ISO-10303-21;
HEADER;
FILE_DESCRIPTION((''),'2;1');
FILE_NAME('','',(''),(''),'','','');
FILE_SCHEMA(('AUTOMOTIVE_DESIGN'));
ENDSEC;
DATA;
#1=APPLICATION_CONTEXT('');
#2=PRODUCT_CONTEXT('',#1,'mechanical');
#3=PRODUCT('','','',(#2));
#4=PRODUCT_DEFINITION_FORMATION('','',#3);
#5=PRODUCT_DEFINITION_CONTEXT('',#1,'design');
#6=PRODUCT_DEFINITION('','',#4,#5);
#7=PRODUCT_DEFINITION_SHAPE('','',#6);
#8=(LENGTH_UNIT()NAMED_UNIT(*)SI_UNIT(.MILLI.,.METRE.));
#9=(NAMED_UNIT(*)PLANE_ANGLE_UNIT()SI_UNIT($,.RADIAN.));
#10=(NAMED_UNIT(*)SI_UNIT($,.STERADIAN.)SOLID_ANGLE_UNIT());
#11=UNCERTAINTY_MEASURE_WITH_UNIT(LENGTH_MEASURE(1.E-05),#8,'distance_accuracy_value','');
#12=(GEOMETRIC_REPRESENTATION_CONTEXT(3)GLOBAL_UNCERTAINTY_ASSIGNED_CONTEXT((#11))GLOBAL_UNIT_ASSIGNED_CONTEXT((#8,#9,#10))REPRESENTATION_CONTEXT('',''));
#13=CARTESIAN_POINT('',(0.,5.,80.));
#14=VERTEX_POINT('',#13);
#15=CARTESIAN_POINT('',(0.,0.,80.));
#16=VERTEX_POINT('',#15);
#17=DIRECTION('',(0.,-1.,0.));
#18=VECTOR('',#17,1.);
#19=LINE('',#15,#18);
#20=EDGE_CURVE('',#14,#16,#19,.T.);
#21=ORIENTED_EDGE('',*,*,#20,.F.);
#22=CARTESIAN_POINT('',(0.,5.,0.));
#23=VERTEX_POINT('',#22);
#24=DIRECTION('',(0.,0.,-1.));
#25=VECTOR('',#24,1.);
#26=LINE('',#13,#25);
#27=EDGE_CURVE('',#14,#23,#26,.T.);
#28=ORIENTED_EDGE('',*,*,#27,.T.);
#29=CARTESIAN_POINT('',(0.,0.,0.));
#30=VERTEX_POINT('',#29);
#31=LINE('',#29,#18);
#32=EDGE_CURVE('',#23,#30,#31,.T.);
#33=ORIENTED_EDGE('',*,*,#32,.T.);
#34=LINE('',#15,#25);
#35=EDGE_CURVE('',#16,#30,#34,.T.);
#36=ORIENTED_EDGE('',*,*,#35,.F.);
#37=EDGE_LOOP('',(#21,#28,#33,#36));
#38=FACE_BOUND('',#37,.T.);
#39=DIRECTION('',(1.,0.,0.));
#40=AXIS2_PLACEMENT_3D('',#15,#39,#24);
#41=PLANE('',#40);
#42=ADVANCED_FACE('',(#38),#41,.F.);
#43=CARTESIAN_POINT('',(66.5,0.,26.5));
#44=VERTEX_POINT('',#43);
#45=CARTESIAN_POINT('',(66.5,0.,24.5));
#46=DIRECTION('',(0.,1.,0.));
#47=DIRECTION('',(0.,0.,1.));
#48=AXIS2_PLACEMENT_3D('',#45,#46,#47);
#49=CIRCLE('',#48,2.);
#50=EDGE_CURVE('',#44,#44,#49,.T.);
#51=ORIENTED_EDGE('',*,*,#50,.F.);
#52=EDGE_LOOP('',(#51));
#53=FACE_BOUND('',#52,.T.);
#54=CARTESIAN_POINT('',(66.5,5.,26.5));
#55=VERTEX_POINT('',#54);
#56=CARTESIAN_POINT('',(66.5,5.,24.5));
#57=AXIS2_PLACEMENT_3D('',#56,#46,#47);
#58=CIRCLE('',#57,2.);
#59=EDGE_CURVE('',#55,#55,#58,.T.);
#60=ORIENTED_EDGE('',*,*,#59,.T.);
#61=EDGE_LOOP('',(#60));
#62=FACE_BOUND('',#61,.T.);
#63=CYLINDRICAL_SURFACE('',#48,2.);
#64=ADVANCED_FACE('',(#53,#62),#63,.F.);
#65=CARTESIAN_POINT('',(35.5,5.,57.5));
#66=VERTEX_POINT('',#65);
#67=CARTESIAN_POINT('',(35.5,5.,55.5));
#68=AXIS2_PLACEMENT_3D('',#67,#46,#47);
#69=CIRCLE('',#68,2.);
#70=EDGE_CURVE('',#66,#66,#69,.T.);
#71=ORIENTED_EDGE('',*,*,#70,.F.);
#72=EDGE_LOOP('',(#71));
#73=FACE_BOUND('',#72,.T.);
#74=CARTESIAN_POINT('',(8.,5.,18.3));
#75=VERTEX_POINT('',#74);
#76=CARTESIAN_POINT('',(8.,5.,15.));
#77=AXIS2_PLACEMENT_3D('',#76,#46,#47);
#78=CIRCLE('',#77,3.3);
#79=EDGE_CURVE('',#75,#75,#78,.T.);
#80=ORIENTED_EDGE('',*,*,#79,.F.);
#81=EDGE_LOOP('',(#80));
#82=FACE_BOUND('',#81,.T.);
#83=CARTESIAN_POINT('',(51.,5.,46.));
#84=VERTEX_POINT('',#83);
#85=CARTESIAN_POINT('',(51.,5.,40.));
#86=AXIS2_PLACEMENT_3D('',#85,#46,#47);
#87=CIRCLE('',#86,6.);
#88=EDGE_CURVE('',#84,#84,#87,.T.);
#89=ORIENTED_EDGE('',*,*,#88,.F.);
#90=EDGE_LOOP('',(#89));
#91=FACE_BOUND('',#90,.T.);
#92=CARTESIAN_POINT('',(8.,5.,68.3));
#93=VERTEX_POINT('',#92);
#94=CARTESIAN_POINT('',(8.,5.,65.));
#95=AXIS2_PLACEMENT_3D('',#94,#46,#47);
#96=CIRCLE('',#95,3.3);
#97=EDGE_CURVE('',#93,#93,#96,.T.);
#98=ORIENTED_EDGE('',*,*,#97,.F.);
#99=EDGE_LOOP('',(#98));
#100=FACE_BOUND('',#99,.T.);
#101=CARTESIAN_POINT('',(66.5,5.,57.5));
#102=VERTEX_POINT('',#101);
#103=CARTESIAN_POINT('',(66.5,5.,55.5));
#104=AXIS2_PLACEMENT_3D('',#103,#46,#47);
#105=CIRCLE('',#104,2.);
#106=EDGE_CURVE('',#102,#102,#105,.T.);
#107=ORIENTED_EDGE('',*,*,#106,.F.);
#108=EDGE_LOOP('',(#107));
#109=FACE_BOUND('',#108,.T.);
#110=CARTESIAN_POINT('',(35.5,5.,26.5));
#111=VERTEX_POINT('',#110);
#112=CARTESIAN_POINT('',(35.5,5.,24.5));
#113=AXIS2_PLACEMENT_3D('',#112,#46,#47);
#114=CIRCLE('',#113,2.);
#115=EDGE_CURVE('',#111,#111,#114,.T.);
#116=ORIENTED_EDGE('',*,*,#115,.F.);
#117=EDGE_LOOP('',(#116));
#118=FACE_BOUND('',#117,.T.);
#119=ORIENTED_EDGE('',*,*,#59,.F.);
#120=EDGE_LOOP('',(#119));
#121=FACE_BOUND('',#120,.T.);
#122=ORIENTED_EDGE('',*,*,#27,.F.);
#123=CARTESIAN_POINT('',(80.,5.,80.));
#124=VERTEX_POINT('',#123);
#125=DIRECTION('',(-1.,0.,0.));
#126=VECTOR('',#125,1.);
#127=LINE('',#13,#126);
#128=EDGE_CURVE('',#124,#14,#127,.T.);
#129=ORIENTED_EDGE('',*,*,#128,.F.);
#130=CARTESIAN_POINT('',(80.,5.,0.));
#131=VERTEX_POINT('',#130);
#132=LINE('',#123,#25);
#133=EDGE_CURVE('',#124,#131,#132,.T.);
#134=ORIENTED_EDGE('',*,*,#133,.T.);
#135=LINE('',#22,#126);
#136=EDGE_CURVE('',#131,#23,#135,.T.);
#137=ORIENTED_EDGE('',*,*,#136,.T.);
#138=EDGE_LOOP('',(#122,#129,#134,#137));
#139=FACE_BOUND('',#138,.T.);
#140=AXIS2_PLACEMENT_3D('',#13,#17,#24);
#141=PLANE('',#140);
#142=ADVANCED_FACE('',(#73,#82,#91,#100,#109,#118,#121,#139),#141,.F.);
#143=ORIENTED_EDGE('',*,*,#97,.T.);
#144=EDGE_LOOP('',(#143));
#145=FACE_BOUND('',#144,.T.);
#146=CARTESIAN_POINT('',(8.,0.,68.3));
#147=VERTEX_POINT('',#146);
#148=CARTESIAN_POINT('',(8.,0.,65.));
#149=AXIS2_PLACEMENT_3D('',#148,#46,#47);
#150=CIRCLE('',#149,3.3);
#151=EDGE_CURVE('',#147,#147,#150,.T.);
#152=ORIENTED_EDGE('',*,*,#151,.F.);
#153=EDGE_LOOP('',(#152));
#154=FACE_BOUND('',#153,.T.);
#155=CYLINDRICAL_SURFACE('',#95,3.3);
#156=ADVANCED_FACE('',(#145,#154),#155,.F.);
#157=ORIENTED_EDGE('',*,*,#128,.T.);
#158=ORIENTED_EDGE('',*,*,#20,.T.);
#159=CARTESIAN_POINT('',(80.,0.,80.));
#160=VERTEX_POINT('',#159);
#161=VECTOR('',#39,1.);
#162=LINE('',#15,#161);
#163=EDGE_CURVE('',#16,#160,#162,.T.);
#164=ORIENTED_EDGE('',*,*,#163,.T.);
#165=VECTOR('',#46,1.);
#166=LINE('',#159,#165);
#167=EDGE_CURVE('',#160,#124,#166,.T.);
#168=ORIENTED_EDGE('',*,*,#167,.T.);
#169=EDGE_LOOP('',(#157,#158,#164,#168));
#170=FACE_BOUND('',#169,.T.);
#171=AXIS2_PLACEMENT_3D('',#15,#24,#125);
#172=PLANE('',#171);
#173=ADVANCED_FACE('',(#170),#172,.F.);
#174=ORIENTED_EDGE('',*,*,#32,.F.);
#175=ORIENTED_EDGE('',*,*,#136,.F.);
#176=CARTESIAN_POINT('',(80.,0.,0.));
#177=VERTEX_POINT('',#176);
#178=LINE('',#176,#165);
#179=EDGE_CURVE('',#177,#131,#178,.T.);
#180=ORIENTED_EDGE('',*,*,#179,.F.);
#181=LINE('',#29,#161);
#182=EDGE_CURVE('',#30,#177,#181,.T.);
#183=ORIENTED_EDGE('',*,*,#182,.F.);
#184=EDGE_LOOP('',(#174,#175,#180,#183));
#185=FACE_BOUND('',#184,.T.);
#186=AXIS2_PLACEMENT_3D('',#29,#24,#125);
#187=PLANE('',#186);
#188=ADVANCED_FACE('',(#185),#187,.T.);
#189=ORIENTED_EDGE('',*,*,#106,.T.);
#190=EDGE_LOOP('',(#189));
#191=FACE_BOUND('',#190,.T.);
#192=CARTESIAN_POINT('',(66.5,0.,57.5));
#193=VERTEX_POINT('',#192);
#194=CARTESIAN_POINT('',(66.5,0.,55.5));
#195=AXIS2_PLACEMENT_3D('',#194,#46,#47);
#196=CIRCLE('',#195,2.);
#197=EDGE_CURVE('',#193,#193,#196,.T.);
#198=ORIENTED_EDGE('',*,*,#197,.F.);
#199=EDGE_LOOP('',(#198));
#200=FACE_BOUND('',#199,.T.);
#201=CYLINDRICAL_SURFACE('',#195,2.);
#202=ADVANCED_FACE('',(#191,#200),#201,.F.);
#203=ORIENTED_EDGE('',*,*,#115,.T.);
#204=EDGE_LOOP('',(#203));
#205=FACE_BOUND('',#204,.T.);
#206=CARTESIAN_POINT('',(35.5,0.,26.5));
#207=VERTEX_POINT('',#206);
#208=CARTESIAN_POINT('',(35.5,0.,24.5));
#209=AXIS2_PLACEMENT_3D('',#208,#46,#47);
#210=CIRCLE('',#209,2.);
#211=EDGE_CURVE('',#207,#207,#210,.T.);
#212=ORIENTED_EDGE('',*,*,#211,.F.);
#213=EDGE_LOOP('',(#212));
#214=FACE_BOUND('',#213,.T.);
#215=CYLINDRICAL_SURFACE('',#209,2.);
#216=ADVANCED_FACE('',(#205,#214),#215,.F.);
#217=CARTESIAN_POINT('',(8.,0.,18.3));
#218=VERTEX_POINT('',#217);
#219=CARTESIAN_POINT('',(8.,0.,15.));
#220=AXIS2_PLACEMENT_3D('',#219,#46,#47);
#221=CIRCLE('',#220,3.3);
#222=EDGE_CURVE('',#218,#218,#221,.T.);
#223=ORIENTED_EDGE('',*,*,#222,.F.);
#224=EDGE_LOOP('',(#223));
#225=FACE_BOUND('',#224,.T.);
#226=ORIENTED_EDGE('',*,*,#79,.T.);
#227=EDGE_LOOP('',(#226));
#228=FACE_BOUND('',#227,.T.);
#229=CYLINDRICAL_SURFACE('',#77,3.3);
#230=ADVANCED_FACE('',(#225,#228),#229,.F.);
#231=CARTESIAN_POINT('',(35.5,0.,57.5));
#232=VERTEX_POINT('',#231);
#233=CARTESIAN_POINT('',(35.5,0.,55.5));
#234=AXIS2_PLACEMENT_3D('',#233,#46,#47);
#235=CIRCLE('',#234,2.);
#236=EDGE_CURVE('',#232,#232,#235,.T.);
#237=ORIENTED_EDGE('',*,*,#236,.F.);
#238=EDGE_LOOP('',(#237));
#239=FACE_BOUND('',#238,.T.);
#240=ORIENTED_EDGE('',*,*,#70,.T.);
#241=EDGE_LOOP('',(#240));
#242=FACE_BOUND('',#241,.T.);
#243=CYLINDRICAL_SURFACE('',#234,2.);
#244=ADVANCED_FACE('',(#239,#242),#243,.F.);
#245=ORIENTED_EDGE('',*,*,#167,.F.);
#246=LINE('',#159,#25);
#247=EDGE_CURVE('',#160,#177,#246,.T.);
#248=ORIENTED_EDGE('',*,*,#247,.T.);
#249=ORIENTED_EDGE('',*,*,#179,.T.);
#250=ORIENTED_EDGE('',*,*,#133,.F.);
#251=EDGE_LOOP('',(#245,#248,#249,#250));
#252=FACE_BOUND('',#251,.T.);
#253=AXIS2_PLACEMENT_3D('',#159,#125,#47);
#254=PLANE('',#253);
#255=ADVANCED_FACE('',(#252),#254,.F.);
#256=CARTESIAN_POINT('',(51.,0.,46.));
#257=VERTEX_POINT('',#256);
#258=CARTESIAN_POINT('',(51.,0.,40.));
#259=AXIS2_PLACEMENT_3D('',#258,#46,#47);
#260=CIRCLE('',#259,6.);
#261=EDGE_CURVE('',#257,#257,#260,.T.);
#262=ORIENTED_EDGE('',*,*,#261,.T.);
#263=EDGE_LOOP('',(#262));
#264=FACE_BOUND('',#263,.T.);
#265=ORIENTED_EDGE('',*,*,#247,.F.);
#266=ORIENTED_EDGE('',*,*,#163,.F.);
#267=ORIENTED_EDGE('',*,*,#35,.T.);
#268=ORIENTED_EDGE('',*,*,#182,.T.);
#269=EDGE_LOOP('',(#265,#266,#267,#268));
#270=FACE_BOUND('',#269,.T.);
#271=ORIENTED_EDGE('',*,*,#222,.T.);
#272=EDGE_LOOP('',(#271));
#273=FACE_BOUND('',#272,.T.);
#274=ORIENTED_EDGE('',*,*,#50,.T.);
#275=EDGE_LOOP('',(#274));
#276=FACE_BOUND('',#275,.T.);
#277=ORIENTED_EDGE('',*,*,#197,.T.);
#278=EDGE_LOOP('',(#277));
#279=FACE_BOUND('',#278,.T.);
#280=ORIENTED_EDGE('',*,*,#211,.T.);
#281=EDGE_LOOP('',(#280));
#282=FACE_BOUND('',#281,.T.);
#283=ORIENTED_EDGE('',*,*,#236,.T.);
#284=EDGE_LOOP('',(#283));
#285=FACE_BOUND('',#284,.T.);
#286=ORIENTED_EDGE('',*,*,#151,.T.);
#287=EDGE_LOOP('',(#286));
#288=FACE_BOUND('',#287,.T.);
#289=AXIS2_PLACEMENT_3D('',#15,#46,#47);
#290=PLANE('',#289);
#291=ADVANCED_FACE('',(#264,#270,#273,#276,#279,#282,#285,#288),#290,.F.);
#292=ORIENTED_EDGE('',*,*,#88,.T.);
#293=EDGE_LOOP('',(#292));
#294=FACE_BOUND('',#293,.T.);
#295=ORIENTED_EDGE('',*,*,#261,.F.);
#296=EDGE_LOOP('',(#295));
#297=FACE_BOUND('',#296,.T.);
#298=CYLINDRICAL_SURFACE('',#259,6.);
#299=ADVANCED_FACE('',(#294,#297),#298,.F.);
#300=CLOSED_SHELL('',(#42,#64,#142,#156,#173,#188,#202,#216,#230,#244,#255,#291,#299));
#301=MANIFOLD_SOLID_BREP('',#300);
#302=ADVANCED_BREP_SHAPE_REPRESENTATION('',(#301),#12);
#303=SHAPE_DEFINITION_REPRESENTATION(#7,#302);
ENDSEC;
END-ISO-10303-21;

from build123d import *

# Parameters (mm, degrees)
SCHIZZO1_W                   = 80
SCHIZZO1_H                   = 5
ESTRUSIONE_ESTRUSIONE1_DEPTH = 80
FORO_PER_VITE_M6_1_D         = 6.6
SCHIZZO4_R                   = 6
TAGLIO_ESTRUSIONE1_DEPTH     = 114.247516529
SCHIZZO6_R                   = 2
TAGLIO_ESTRUSIONE3_DEPTH     = 114.247516529


with BuildPart() as part:
    # Schizzo1 → Estrusione-Estrusione1 (new body)
    with BuildSketch(Plane.XY):
        with Locations((40, 2.5)):
            Rectangle(SCHIZZO1_W, SCHIZZO1_H)
    extrude(amount=ESTRUSIONE_ESTRUSIONE1_DEPTH)

    # Foro per Vite M6-1 (through all)
    with Locations(Plane(origin=(0, 5, 0), x_dir=(1, 0, 0), z_dir=(0, 1, 0))):
        with Locations((8, -15), (8, -65)):
            Hole(FORO_PER_VITE_M6_1_D / 2)

    # Schizzo4 → Taglio-Estrusione1 (cut, through all)
    with BuildSketch(Plane(origin=(0, 5, 0), x_dir=(1, 0, 0), z_dir=(0, 1, 0))):
        with Locations(Location((51, -40, 0), (0, 0, 270))):
            Circle(SCHIZZO4_R)
    extrude(amount=-TAGLIO_ESTRUSIONE1_DEPTH, mode=Mode.SUBTRACT)

    # Schizzo6 → Taglio-Estrusione3 (cut, through all)
    with BuildSketch(Plane(origin=(0, 5, 0), x_dir=(1, 0, 0), z_dir=(0, 1, 0))):
        with Locations(Location((35.5, -24.5, 0), (0, 0, 270))):
            Circle(SCHIZZO6_R)
        with Locations(Location((66.5, -24.5, 0), (0, 0, 270))):
            Circle(SCHIZZO6_R)
        with Locations(Location((66.5, -55.5, 0), (0, 0, 270))):
            Circle(SCHIZZO6_R)
        with Locations(Location((35.5, -55.5, 0), (0, 0, 270))):
            Circle(SCHIZZO6_R)
    extrude(amount=-TAGLIO_ESTRUSIONE3_DEPTH, mode=Mode.SUBTRACT)


solid = part.part
